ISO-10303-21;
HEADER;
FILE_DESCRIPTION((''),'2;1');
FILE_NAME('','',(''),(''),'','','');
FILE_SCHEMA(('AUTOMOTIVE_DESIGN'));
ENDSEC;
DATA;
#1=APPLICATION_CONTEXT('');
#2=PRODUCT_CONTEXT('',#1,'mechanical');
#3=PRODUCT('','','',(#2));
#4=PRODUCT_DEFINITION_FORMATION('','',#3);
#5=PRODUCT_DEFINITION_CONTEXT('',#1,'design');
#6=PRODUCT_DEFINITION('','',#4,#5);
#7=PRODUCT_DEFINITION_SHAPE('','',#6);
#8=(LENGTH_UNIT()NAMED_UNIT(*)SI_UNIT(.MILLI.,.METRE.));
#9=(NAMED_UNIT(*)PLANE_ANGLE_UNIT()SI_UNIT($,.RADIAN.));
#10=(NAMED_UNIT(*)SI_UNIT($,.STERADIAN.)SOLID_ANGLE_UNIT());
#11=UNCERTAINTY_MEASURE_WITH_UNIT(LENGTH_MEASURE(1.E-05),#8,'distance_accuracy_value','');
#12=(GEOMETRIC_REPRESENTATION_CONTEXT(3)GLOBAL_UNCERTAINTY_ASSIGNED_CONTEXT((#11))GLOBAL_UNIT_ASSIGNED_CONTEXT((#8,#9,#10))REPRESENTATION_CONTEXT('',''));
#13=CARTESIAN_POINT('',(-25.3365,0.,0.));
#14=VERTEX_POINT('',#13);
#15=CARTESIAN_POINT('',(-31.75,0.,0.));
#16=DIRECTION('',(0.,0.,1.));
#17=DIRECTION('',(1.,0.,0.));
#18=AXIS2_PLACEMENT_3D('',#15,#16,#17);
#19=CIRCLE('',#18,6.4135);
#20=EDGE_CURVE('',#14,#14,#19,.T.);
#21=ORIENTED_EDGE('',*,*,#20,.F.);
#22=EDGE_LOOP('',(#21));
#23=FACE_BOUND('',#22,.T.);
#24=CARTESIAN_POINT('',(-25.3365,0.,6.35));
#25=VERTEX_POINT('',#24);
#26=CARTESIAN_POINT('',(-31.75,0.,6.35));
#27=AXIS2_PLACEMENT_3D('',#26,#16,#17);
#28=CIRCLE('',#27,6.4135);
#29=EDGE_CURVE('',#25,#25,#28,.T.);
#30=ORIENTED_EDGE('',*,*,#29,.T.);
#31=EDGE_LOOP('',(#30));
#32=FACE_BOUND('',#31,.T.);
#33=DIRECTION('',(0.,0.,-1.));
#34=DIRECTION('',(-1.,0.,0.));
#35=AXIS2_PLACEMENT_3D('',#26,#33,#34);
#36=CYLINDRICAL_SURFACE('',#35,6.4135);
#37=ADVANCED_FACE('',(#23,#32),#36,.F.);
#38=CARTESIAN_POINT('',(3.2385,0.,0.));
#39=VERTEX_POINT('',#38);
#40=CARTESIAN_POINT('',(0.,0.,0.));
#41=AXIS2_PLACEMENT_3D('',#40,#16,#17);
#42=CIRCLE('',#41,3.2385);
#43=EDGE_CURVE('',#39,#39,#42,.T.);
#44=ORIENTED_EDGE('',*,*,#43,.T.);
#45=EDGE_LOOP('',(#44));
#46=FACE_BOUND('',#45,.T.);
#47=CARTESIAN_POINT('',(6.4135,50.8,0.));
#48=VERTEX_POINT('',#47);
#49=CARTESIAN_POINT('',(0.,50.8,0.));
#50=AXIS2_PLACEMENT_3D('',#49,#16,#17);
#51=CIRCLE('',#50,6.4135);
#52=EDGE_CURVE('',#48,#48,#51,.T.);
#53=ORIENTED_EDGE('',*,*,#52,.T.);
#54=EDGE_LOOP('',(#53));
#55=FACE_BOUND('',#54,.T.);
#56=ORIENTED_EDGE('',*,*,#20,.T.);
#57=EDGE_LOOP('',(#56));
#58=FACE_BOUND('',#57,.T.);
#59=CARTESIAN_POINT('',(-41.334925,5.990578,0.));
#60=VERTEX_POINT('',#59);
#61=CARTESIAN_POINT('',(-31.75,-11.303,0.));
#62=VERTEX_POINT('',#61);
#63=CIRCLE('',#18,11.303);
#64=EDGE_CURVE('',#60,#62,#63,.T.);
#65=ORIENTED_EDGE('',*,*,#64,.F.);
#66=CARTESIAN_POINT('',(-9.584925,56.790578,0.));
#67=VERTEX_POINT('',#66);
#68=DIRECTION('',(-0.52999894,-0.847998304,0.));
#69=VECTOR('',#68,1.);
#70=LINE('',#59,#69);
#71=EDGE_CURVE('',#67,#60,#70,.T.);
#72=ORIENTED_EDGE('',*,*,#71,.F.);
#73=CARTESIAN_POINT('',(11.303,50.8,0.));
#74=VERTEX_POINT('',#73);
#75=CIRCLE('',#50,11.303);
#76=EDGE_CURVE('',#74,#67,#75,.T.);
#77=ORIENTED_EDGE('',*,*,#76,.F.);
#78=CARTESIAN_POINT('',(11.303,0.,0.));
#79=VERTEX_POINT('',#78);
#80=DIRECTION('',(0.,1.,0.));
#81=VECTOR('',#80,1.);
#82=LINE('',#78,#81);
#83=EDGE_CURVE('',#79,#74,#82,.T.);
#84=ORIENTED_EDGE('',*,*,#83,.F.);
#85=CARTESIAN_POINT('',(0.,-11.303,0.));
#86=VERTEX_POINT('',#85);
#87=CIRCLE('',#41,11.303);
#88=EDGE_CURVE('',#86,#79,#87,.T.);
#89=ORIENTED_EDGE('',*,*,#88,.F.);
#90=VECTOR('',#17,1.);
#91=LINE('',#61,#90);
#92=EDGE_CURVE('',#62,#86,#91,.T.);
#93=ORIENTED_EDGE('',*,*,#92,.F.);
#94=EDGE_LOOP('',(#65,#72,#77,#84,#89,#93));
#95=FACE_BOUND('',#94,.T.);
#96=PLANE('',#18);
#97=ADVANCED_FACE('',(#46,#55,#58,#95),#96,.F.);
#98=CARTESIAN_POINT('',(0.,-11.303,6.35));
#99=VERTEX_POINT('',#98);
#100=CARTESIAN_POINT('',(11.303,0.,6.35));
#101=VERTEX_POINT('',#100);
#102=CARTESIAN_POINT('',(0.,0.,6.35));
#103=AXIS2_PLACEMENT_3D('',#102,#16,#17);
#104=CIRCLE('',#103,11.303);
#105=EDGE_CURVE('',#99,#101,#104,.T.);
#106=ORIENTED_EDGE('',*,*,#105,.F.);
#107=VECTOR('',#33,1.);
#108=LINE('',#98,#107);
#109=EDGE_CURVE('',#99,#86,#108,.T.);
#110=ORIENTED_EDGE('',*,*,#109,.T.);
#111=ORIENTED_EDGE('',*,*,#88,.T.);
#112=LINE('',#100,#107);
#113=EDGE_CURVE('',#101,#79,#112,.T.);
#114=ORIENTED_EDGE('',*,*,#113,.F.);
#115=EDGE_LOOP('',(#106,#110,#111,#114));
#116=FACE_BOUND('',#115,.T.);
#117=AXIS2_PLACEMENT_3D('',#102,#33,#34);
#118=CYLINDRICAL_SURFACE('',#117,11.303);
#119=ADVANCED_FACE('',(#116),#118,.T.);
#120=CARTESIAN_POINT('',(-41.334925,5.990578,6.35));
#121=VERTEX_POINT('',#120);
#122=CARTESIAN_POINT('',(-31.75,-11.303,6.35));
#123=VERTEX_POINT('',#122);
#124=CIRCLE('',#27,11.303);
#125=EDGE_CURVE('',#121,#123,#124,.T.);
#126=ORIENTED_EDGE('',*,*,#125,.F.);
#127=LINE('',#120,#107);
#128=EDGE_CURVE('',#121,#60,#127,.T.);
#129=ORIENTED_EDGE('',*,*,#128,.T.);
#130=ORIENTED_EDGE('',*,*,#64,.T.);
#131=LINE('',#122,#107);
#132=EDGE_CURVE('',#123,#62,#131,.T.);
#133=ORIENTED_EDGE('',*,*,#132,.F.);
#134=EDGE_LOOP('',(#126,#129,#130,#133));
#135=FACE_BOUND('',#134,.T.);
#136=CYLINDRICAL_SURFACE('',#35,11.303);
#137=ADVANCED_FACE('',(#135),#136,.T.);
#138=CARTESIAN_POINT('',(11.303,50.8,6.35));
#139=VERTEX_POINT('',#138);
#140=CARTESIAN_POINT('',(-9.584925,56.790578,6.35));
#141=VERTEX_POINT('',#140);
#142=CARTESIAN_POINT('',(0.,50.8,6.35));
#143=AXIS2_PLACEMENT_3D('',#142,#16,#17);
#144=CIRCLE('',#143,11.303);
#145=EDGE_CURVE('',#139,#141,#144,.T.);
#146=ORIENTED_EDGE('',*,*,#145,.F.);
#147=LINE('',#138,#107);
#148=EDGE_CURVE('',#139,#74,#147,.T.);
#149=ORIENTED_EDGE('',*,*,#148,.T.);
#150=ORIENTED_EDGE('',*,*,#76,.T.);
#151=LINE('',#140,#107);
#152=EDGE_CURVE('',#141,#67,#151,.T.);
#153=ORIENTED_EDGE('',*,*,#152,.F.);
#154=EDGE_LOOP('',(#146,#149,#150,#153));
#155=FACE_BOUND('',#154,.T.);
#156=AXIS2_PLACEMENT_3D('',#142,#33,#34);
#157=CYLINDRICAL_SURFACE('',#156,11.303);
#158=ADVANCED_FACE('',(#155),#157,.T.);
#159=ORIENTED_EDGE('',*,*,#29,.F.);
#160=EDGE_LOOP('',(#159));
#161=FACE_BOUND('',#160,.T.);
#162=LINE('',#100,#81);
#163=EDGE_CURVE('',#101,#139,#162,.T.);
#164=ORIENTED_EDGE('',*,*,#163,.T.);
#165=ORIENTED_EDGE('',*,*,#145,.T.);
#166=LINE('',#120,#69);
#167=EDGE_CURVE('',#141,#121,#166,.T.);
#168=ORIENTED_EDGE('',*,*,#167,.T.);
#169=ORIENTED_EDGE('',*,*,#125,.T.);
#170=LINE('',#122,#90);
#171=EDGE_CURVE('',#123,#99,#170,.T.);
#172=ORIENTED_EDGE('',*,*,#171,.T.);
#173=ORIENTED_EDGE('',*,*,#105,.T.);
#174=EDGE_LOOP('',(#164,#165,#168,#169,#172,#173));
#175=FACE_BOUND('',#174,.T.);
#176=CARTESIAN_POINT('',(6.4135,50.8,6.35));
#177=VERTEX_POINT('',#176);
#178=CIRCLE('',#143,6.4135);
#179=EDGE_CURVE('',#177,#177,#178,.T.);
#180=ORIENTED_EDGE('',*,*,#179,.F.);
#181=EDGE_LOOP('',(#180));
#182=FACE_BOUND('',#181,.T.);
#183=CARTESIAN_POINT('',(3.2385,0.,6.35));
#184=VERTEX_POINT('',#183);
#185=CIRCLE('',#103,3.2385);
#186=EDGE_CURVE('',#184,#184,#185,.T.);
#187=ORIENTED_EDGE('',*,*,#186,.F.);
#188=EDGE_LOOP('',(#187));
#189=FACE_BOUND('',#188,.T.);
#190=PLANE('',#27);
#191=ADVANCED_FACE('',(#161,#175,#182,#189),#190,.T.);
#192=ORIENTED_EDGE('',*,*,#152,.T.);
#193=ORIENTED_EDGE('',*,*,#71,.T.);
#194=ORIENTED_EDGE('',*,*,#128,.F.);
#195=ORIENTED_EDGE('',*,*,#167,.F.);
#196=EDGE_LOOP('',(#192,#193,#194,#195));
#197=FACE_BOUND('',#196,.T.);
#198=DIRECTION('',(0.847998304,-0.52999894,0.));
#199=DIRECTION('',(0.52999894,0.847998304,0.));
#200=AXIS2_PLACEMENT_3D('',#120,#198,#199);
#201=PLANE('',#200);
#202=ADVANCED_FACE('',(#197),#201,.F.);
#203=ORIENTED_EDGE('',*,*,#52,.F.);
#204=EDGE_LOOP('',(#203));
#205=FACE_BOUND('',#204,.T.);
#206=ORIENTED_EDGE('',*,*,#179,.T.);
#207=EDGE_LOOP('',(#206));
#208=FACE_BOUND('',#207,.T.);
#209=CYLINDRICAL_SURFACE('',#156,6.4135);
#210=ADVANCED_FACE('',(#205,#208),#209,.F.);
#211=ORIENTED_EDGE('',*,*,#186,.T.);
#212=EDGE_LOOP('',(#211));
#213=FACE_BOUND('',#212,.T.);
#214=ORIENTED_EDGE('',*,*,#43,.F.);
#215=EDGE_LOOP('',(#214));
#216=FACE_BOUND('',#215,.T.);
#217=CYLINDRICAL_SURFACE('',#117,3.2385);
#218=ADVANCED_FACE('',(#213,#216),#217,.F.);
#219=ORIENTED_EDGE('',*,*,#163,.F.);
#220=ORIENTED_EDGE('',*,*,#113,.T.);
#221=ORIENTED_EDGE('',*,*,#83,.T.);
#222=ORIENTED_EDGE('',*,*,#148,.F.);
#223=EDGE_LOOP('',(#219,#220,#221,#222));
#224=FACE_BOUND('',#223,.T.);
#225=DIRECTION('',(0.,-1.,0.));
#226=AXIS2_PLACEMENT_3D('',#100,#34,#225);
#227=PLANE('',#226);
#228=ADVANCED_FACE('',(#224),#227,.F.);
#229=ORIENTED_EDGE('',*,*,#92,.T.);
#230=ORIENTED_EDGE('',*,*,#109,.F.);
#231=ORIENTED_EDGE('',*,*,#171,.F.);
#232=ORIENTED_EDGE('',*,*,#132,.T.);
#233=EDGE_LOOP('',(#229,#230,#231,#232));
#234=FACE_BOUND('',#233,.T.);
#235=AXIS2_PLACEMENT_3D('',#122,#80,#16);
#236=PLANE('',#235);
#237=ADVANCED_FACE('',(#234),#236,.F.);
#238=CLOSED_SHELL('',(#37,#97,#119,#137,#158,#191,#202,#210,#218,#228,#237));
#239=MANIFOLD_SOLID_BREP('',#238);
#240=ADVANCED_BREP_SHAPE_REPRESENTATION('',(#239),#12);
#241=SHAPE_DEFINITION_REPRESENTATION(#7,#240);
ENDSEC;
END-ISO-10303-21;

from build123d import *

# Parameters (mm, degrees)
ESQUISSE2_R        = 3.2385
ESQUISSE2_R_2      = 6.4135
BOSS_EXTRU_1_DEPTH = 6.35


with BuildPart() as part:
    # Esquisse2 → Boss.-Extru.1 (new body)
    with BuildSketch(Plane.XY):
        with BuildLine():
            Line((-41.33492483, 5.990578019), (-9.58492483, 56.790578019))
            ThreePointArc((-9.58492483, 56.790578019), (3.116039445, 61.664994578), (11.303, 50.8))
            Line((11.303, 50.8), (11.303, 0))
            ThreePointArc((11.303, 0), (7.992427948, -7.992427948), (0, -11.303))
            Line((0, -11.303), (-31.75, -11.303))
            ThreePointArc((-31.75, -11.303), (-41.636083966, -5.479338722), (-41.33492483, 5.990578019))
        make_face()
        Circle(ESQUISSE2_R, mode=Mode.SUBTRACT)
        with Locations((-31.75, 0)):
            Circle(ESQUISSE2_R_2, mode=Mode.SUBTRACT)
        with Locations((0, 50.8)):
            Circle(ESQUISSE2_R_2, mode=Mode.SUBTRACT)
    extrude(amount=BOSS_EXTRU_1_DEPTH)


solid = part.part
